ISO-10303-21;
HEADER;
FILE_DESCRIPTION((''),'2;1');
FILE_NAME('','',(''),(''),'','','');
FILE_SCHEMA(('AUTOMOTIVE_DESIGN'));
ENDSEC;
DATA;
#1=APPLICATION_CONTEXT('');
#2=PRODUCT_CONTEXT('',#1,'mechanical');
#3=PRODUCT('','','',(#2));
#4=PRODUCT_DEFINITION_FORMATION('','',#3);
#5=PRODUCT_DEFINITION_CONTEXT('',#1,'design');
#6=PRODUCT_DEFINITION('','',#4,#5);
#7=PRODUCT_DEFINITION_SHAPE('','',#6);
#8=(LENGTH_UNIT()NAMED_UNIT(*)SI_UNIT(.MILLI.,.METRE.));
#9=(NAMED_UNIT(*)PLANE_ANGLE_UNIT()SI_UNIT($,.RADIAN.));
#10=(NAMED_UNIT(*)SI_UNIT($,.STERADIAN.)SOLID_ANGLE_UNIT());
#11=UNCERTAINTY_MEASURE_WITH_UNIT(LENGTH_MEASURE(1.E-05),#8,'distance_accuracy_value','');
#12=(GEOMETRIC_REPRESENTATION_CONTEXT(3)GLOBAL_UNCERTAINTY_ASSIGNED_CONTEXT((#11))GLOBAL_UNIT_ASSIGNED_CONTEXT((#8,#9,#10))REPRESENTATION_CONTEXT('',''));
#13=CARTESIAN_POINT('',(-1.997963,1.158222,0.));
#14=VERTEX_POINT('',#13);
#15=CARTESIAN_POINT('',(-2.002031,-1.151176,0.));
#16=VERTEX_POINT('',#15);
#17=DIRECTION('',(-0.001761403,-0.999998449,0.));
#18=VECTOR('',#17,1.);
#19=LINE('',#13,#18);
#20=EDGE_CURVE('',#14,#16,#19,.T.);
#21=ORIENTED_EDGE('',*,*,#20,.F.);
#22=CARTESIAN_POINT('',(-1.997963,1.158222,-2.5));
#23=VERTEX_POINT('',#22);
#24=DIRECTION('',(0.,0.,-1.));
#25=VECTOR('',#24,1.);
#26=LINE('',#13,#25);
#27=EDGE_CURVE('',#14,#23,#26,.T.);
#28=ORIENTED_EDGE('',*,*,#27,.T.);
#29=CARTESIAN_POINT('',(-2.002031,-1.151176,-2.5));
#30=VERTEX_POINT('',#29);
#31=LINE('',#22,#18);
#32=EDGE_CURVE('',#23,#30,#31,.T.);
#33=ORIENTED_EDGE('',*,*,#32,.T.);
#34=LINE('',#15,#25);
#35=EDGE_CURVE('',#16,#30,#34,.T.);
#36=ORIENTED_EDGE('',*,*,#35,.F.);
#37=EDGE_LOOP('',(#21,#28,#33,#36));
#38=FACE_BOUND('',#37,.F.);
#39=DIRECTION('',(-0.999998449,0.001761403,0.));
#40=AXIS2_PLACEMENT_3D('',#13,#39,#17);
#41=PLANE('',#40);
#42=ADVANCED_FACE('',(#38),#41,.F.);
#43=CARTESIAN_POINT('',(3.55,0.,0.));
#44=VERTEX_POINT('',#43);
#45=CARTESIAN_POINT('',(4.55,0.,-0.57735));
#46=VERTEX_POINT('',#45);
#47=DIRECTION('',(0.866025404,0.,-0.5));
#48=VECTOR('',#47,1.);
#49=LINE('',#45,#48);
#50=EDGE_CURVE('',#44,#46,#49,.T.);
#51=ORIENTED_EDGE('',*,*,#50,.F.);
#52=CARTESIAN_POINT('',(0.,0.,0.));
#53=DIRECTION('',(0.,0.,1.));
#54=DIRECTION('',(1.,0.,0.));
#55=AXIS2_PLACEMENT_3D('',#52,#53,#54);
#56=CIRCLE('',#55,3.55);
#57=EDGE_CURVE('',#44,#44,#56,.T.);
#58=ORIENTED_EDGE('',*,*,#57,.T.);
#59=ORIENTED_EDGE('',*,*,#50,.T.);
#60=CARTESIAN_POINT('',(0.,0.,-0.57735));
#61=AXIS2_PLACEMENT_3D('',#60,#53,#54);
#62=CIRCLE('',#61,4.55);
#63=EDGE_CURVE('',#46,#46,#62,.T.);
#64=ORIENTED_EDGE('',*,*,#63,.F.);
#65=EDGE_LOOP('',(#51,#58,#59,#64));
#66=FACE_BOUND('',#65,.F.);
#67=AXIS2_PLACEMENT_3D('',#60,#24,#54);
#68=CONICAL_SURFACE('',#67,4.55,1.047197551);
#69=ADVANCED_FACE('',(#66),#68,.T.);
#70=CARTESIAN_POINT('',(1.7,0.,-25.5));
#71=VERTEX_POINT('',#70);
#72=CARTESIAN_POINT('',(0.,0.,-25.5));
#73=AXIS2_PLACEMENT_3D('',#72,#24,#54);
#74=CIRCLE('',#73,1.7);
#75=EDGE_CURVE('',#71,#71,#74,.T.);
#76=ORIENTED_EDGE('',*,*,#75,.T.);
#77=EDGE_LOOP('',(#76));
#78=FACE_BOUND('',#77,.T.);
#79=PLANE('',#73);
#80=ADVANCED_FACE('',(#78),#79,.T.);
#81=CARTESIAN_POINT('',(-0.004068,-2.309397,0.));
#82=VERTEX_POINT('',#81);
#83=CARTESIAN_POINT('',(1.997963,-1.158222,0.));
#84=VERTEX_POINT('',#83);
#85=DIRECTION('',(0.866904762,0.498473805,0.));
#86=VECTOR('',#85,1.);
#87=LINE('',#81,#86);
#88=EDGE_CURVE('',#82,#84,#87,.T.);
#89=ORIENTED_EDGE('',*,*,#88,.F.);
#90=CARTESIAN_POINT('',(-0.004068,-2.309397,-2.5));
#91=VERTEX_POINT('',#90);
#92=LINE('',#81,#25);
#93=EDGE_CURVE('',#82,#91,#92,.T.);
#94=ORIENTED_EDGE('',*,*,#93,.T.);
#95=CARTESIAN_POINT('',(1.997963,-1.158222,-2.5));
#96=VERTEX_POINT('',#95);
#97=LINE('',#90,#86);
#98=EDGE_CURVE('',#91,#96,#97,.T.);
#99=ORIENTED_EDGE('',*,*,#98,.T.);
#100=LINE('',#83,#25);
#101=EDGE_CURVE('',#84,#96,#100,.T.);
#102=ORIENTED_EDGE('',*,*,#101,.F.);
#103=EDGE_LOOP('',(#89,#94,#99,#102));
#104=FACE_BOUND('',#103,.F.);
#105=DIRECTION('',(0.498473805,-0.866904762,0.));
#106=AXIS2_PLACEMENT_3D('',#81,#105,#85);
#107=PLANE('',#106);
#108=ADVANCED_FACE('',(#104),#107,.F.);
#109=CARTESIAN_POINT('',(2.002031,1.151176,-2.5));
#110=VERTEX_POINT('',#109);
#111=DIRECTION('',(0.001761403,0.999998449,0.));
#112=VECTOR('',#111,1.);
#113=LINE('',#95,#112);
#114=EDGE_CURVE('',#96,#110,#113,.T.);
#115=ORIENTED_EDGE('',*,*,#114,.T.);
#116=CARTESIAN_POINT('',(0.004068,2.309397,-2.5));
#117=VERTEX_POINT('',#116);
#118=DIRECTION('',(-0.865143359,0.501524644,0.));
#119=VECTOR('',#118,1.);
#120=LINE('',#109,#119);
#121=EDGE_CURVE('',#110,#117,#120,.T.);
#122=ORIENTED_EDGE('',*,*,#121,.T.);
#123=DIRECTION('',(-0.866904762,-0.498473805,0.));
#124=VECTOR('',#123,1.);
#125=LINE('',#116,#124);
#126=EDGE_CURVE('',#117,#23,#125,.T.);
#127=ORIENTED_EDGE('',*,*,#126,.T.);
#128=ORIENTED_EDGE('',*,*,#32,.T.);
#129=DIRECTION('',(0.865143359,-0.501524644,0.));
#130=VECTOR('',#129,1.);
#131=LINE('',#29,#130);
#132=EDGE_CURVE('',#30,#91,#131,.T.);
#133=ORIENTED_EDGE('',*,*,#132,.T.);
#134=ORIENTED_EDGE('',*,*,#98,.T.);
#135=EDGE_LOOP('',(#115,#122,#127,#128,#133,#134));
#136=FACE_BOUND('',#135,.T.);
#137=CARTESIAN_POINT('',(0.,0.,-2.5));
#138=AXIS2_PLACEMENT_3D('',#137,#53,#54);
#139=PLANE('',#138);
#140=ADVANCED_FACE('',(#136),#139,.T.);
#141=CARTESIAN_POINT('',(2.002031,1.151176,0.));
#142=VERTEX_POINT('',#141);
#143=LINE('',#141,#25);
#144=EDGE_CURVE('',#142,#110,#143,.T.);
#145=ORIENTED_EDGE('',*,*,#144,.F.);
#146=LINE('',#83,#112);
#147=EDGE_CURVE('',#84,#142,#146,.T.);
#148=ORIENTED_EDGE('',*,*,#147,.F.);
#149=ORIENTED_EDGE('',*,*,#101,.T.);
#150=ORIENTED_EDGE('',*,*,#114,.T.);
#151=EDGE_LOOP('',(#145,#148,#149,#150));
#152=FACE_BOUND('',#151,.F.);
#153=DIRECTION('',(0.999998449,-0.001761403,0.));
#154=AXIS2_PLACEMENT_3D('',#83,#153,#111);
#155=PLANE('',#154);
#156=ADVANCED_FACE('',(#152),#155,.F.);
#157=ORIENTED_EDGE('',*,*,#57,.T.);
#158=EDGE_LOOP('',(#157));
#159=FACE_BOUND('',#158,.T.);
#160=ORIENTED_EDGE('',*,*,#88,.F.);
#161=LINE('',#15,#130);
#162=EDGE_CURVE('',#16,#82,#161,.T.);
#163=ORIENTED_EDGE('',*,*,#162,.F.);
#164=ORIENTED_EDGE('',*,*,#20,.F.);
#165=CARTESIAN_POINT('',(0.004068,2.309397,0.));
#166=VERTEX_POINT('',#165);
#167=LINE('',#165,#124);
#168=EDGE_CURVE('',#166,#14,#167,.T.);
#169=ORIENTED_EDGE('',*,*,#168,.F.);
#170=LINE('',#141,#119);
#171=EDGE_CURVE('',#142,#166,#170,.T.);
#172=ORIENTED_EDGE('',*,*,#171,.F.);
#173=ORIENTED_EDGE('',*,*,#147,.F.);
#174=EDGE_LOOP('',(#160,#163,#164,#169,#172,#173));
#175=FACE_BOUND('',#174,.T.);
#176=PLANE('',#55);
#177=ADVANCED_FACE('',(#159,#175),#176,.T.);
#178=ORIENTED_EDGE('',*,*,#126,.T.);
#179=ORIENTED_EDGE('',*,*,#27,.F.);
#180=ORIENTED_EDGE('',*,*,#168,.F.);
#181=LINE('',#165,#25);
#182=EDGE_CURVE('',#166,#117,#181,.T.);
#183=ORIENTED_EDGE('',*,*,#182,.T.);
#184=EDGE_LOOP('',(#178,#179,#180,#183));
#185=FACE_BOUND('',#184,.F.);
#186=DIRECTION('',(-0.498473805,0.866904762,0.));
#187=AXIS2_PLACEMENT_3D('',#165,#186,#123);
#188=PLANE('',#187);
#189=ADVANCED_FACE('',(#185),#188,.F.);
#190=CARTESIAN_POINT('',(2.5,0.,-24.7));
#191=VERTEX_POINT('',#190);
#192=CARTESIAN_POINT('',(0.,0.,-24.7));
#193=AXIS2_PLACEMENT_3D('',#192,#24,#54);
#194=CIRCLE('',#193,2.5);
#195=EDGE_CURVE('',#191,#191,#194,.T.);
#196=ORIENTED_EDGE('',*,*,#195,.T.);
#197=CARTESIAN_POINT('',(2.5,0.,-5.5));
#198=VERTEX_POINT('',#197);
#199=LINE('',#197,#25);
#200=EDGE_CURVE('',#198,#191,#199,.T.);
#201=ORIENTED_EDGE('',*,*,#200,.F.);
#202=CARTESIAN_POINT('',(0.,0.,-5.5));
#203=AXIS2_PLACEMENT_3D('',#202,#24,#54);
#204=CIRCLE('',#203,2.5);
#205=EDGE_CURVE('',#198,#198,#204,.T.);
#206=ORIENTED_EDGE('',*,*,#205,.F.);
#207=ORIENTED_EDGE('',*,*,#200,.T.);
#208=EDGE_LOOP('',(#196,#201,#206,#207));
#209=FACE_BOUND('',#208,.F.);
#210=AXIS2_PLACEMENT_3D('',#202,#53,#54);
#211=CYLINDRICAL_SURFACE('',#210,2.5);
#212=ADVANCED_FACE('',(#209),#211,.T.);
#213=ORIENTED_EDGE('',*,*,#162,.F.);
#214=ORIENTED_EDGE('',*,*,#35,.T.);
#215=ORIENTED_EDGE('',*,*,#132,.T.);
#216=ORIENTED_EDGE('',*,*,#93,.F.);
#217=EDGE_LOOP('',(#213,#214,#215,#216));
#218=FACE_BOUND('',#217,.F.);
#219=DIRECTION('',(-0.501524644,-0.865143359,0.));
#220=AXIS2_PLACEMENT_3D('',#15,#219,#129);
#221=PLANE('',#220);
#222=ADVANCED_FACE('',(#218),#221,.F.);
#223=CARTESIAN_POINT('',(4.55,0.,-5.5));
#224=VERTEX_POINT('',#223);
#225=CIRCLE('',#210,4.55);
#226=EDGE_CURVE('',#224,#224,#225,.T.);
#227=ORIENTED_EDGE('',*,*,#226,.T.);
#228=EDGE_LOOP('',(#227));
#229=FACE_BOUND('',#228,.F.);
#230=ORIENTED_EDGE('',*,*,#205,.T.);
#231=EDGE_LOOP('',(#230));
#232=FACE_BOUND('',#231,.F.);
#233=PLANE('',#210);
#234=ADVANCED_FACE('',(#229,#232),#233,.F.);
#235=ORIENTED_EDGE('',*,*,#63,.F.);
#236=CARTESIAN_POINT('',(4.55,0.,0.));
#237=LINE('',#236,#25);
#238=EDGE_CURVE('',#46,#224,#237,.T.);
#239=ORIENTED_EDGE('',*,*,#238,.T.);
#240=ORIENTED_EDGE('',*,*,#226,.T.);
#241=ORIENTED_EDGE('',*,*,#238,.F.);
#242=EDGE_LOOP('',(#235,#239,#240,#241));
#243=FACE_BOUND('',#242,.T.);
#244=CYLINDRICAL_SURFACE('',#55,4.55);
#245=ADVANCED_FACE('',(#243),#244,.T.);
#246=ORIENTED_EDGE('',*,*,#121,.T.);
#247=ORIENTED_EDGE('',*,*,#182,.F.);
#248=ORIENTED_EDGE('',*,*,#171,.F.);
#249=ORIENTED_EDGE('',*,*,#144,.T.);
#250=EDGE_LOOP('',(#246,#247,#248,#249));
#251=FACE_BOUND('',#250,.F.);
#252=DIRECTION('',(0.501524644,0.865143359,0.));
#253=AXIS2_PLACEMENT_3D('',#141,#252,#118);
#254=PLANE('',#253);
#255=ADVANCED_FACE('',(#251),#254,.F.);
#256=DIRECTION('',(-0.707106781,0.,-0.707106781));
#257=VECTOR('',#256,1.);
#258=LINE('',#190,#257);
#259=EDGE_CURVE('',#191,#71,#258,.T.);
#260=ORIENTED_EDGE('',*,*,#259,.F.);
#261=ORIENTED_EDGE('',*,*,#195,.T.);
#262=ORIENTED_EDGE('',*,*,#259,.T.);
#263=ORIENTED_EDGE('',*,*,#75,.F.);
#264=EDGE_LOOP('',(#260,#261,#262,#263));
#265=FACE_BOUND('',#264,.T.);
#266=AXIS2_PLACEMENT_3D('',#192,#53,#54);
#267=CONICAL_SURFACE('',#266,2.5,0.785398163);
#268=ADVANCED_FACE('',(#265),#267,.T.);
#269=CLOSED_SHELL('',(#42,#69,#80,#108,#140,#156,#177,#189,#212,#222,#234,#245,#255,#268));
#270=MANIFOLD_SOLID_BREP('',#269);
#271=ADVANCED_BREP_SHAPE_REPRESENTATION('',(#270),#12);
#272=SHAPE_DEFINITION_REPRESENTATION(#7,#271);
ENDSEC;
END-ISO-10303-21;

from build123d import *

# Parameters (mm, degrees)
F0_R     = 4.55
F1_DEPTH = 5.5
F2_R     = 2.5
F3_DEPTH = 20
F5_DEPTH = 2.5
F6_SIZE2 = 0.5773502692
F6_SIZE  = 1
F7_SIZE  = 0.8


with BuildPart() as f1:
    # F0 (on Top) → F1 (new body)
    with BuildSketch(Plane.XY):
        Circle(F0_R)
    extrude(amount=-F1_DEPTH)

    # F2 (on face) → F3 (join)
    with BuildSketch(Plane(origin=(0, 0, -5.5), x_dir=(1, 0, 0), z_dir=(0, 0, -1))):
        Circle(F2_R)
    extrude(amount=F3_DEPTH)

    # F4 (on face) → F5 (cut)
    with BuildSketch(Plane.XY):
        Polygon((-0.0040677853, -2.3093974943), (1.9979630048, -1.1582215525), (2.0020307901, 1.1511759417), (0.0040677853, 2.3093974943), (-1.9979630048, 1.1582215525), (-2.0020307901, -1.1511759417), align=None)
    extrude(amount=-F5_DEPTH, mode=Mode.SUBTRACT)

    # F6
    f6_edges = [f1.edges().sort_by_distance(p)[0] for p in [
        (-4.55, 0, 0),
    ]]
    f6_side = f1.faces().sort_by_distance((-4.421307, 0, 0))[0]
    chamfer(f6_edges, length=F6_SIZE, length2=F6_SIZE2, reference=f6_side)

    # F7
    f7_edges = [f1.edges().sort_by_distance(p)[0] for p in [
        (-2.5, 0, -25.5),
    ]]
    chamfer(f7_edges, length=F7_SIZE)


solid = f1.part
